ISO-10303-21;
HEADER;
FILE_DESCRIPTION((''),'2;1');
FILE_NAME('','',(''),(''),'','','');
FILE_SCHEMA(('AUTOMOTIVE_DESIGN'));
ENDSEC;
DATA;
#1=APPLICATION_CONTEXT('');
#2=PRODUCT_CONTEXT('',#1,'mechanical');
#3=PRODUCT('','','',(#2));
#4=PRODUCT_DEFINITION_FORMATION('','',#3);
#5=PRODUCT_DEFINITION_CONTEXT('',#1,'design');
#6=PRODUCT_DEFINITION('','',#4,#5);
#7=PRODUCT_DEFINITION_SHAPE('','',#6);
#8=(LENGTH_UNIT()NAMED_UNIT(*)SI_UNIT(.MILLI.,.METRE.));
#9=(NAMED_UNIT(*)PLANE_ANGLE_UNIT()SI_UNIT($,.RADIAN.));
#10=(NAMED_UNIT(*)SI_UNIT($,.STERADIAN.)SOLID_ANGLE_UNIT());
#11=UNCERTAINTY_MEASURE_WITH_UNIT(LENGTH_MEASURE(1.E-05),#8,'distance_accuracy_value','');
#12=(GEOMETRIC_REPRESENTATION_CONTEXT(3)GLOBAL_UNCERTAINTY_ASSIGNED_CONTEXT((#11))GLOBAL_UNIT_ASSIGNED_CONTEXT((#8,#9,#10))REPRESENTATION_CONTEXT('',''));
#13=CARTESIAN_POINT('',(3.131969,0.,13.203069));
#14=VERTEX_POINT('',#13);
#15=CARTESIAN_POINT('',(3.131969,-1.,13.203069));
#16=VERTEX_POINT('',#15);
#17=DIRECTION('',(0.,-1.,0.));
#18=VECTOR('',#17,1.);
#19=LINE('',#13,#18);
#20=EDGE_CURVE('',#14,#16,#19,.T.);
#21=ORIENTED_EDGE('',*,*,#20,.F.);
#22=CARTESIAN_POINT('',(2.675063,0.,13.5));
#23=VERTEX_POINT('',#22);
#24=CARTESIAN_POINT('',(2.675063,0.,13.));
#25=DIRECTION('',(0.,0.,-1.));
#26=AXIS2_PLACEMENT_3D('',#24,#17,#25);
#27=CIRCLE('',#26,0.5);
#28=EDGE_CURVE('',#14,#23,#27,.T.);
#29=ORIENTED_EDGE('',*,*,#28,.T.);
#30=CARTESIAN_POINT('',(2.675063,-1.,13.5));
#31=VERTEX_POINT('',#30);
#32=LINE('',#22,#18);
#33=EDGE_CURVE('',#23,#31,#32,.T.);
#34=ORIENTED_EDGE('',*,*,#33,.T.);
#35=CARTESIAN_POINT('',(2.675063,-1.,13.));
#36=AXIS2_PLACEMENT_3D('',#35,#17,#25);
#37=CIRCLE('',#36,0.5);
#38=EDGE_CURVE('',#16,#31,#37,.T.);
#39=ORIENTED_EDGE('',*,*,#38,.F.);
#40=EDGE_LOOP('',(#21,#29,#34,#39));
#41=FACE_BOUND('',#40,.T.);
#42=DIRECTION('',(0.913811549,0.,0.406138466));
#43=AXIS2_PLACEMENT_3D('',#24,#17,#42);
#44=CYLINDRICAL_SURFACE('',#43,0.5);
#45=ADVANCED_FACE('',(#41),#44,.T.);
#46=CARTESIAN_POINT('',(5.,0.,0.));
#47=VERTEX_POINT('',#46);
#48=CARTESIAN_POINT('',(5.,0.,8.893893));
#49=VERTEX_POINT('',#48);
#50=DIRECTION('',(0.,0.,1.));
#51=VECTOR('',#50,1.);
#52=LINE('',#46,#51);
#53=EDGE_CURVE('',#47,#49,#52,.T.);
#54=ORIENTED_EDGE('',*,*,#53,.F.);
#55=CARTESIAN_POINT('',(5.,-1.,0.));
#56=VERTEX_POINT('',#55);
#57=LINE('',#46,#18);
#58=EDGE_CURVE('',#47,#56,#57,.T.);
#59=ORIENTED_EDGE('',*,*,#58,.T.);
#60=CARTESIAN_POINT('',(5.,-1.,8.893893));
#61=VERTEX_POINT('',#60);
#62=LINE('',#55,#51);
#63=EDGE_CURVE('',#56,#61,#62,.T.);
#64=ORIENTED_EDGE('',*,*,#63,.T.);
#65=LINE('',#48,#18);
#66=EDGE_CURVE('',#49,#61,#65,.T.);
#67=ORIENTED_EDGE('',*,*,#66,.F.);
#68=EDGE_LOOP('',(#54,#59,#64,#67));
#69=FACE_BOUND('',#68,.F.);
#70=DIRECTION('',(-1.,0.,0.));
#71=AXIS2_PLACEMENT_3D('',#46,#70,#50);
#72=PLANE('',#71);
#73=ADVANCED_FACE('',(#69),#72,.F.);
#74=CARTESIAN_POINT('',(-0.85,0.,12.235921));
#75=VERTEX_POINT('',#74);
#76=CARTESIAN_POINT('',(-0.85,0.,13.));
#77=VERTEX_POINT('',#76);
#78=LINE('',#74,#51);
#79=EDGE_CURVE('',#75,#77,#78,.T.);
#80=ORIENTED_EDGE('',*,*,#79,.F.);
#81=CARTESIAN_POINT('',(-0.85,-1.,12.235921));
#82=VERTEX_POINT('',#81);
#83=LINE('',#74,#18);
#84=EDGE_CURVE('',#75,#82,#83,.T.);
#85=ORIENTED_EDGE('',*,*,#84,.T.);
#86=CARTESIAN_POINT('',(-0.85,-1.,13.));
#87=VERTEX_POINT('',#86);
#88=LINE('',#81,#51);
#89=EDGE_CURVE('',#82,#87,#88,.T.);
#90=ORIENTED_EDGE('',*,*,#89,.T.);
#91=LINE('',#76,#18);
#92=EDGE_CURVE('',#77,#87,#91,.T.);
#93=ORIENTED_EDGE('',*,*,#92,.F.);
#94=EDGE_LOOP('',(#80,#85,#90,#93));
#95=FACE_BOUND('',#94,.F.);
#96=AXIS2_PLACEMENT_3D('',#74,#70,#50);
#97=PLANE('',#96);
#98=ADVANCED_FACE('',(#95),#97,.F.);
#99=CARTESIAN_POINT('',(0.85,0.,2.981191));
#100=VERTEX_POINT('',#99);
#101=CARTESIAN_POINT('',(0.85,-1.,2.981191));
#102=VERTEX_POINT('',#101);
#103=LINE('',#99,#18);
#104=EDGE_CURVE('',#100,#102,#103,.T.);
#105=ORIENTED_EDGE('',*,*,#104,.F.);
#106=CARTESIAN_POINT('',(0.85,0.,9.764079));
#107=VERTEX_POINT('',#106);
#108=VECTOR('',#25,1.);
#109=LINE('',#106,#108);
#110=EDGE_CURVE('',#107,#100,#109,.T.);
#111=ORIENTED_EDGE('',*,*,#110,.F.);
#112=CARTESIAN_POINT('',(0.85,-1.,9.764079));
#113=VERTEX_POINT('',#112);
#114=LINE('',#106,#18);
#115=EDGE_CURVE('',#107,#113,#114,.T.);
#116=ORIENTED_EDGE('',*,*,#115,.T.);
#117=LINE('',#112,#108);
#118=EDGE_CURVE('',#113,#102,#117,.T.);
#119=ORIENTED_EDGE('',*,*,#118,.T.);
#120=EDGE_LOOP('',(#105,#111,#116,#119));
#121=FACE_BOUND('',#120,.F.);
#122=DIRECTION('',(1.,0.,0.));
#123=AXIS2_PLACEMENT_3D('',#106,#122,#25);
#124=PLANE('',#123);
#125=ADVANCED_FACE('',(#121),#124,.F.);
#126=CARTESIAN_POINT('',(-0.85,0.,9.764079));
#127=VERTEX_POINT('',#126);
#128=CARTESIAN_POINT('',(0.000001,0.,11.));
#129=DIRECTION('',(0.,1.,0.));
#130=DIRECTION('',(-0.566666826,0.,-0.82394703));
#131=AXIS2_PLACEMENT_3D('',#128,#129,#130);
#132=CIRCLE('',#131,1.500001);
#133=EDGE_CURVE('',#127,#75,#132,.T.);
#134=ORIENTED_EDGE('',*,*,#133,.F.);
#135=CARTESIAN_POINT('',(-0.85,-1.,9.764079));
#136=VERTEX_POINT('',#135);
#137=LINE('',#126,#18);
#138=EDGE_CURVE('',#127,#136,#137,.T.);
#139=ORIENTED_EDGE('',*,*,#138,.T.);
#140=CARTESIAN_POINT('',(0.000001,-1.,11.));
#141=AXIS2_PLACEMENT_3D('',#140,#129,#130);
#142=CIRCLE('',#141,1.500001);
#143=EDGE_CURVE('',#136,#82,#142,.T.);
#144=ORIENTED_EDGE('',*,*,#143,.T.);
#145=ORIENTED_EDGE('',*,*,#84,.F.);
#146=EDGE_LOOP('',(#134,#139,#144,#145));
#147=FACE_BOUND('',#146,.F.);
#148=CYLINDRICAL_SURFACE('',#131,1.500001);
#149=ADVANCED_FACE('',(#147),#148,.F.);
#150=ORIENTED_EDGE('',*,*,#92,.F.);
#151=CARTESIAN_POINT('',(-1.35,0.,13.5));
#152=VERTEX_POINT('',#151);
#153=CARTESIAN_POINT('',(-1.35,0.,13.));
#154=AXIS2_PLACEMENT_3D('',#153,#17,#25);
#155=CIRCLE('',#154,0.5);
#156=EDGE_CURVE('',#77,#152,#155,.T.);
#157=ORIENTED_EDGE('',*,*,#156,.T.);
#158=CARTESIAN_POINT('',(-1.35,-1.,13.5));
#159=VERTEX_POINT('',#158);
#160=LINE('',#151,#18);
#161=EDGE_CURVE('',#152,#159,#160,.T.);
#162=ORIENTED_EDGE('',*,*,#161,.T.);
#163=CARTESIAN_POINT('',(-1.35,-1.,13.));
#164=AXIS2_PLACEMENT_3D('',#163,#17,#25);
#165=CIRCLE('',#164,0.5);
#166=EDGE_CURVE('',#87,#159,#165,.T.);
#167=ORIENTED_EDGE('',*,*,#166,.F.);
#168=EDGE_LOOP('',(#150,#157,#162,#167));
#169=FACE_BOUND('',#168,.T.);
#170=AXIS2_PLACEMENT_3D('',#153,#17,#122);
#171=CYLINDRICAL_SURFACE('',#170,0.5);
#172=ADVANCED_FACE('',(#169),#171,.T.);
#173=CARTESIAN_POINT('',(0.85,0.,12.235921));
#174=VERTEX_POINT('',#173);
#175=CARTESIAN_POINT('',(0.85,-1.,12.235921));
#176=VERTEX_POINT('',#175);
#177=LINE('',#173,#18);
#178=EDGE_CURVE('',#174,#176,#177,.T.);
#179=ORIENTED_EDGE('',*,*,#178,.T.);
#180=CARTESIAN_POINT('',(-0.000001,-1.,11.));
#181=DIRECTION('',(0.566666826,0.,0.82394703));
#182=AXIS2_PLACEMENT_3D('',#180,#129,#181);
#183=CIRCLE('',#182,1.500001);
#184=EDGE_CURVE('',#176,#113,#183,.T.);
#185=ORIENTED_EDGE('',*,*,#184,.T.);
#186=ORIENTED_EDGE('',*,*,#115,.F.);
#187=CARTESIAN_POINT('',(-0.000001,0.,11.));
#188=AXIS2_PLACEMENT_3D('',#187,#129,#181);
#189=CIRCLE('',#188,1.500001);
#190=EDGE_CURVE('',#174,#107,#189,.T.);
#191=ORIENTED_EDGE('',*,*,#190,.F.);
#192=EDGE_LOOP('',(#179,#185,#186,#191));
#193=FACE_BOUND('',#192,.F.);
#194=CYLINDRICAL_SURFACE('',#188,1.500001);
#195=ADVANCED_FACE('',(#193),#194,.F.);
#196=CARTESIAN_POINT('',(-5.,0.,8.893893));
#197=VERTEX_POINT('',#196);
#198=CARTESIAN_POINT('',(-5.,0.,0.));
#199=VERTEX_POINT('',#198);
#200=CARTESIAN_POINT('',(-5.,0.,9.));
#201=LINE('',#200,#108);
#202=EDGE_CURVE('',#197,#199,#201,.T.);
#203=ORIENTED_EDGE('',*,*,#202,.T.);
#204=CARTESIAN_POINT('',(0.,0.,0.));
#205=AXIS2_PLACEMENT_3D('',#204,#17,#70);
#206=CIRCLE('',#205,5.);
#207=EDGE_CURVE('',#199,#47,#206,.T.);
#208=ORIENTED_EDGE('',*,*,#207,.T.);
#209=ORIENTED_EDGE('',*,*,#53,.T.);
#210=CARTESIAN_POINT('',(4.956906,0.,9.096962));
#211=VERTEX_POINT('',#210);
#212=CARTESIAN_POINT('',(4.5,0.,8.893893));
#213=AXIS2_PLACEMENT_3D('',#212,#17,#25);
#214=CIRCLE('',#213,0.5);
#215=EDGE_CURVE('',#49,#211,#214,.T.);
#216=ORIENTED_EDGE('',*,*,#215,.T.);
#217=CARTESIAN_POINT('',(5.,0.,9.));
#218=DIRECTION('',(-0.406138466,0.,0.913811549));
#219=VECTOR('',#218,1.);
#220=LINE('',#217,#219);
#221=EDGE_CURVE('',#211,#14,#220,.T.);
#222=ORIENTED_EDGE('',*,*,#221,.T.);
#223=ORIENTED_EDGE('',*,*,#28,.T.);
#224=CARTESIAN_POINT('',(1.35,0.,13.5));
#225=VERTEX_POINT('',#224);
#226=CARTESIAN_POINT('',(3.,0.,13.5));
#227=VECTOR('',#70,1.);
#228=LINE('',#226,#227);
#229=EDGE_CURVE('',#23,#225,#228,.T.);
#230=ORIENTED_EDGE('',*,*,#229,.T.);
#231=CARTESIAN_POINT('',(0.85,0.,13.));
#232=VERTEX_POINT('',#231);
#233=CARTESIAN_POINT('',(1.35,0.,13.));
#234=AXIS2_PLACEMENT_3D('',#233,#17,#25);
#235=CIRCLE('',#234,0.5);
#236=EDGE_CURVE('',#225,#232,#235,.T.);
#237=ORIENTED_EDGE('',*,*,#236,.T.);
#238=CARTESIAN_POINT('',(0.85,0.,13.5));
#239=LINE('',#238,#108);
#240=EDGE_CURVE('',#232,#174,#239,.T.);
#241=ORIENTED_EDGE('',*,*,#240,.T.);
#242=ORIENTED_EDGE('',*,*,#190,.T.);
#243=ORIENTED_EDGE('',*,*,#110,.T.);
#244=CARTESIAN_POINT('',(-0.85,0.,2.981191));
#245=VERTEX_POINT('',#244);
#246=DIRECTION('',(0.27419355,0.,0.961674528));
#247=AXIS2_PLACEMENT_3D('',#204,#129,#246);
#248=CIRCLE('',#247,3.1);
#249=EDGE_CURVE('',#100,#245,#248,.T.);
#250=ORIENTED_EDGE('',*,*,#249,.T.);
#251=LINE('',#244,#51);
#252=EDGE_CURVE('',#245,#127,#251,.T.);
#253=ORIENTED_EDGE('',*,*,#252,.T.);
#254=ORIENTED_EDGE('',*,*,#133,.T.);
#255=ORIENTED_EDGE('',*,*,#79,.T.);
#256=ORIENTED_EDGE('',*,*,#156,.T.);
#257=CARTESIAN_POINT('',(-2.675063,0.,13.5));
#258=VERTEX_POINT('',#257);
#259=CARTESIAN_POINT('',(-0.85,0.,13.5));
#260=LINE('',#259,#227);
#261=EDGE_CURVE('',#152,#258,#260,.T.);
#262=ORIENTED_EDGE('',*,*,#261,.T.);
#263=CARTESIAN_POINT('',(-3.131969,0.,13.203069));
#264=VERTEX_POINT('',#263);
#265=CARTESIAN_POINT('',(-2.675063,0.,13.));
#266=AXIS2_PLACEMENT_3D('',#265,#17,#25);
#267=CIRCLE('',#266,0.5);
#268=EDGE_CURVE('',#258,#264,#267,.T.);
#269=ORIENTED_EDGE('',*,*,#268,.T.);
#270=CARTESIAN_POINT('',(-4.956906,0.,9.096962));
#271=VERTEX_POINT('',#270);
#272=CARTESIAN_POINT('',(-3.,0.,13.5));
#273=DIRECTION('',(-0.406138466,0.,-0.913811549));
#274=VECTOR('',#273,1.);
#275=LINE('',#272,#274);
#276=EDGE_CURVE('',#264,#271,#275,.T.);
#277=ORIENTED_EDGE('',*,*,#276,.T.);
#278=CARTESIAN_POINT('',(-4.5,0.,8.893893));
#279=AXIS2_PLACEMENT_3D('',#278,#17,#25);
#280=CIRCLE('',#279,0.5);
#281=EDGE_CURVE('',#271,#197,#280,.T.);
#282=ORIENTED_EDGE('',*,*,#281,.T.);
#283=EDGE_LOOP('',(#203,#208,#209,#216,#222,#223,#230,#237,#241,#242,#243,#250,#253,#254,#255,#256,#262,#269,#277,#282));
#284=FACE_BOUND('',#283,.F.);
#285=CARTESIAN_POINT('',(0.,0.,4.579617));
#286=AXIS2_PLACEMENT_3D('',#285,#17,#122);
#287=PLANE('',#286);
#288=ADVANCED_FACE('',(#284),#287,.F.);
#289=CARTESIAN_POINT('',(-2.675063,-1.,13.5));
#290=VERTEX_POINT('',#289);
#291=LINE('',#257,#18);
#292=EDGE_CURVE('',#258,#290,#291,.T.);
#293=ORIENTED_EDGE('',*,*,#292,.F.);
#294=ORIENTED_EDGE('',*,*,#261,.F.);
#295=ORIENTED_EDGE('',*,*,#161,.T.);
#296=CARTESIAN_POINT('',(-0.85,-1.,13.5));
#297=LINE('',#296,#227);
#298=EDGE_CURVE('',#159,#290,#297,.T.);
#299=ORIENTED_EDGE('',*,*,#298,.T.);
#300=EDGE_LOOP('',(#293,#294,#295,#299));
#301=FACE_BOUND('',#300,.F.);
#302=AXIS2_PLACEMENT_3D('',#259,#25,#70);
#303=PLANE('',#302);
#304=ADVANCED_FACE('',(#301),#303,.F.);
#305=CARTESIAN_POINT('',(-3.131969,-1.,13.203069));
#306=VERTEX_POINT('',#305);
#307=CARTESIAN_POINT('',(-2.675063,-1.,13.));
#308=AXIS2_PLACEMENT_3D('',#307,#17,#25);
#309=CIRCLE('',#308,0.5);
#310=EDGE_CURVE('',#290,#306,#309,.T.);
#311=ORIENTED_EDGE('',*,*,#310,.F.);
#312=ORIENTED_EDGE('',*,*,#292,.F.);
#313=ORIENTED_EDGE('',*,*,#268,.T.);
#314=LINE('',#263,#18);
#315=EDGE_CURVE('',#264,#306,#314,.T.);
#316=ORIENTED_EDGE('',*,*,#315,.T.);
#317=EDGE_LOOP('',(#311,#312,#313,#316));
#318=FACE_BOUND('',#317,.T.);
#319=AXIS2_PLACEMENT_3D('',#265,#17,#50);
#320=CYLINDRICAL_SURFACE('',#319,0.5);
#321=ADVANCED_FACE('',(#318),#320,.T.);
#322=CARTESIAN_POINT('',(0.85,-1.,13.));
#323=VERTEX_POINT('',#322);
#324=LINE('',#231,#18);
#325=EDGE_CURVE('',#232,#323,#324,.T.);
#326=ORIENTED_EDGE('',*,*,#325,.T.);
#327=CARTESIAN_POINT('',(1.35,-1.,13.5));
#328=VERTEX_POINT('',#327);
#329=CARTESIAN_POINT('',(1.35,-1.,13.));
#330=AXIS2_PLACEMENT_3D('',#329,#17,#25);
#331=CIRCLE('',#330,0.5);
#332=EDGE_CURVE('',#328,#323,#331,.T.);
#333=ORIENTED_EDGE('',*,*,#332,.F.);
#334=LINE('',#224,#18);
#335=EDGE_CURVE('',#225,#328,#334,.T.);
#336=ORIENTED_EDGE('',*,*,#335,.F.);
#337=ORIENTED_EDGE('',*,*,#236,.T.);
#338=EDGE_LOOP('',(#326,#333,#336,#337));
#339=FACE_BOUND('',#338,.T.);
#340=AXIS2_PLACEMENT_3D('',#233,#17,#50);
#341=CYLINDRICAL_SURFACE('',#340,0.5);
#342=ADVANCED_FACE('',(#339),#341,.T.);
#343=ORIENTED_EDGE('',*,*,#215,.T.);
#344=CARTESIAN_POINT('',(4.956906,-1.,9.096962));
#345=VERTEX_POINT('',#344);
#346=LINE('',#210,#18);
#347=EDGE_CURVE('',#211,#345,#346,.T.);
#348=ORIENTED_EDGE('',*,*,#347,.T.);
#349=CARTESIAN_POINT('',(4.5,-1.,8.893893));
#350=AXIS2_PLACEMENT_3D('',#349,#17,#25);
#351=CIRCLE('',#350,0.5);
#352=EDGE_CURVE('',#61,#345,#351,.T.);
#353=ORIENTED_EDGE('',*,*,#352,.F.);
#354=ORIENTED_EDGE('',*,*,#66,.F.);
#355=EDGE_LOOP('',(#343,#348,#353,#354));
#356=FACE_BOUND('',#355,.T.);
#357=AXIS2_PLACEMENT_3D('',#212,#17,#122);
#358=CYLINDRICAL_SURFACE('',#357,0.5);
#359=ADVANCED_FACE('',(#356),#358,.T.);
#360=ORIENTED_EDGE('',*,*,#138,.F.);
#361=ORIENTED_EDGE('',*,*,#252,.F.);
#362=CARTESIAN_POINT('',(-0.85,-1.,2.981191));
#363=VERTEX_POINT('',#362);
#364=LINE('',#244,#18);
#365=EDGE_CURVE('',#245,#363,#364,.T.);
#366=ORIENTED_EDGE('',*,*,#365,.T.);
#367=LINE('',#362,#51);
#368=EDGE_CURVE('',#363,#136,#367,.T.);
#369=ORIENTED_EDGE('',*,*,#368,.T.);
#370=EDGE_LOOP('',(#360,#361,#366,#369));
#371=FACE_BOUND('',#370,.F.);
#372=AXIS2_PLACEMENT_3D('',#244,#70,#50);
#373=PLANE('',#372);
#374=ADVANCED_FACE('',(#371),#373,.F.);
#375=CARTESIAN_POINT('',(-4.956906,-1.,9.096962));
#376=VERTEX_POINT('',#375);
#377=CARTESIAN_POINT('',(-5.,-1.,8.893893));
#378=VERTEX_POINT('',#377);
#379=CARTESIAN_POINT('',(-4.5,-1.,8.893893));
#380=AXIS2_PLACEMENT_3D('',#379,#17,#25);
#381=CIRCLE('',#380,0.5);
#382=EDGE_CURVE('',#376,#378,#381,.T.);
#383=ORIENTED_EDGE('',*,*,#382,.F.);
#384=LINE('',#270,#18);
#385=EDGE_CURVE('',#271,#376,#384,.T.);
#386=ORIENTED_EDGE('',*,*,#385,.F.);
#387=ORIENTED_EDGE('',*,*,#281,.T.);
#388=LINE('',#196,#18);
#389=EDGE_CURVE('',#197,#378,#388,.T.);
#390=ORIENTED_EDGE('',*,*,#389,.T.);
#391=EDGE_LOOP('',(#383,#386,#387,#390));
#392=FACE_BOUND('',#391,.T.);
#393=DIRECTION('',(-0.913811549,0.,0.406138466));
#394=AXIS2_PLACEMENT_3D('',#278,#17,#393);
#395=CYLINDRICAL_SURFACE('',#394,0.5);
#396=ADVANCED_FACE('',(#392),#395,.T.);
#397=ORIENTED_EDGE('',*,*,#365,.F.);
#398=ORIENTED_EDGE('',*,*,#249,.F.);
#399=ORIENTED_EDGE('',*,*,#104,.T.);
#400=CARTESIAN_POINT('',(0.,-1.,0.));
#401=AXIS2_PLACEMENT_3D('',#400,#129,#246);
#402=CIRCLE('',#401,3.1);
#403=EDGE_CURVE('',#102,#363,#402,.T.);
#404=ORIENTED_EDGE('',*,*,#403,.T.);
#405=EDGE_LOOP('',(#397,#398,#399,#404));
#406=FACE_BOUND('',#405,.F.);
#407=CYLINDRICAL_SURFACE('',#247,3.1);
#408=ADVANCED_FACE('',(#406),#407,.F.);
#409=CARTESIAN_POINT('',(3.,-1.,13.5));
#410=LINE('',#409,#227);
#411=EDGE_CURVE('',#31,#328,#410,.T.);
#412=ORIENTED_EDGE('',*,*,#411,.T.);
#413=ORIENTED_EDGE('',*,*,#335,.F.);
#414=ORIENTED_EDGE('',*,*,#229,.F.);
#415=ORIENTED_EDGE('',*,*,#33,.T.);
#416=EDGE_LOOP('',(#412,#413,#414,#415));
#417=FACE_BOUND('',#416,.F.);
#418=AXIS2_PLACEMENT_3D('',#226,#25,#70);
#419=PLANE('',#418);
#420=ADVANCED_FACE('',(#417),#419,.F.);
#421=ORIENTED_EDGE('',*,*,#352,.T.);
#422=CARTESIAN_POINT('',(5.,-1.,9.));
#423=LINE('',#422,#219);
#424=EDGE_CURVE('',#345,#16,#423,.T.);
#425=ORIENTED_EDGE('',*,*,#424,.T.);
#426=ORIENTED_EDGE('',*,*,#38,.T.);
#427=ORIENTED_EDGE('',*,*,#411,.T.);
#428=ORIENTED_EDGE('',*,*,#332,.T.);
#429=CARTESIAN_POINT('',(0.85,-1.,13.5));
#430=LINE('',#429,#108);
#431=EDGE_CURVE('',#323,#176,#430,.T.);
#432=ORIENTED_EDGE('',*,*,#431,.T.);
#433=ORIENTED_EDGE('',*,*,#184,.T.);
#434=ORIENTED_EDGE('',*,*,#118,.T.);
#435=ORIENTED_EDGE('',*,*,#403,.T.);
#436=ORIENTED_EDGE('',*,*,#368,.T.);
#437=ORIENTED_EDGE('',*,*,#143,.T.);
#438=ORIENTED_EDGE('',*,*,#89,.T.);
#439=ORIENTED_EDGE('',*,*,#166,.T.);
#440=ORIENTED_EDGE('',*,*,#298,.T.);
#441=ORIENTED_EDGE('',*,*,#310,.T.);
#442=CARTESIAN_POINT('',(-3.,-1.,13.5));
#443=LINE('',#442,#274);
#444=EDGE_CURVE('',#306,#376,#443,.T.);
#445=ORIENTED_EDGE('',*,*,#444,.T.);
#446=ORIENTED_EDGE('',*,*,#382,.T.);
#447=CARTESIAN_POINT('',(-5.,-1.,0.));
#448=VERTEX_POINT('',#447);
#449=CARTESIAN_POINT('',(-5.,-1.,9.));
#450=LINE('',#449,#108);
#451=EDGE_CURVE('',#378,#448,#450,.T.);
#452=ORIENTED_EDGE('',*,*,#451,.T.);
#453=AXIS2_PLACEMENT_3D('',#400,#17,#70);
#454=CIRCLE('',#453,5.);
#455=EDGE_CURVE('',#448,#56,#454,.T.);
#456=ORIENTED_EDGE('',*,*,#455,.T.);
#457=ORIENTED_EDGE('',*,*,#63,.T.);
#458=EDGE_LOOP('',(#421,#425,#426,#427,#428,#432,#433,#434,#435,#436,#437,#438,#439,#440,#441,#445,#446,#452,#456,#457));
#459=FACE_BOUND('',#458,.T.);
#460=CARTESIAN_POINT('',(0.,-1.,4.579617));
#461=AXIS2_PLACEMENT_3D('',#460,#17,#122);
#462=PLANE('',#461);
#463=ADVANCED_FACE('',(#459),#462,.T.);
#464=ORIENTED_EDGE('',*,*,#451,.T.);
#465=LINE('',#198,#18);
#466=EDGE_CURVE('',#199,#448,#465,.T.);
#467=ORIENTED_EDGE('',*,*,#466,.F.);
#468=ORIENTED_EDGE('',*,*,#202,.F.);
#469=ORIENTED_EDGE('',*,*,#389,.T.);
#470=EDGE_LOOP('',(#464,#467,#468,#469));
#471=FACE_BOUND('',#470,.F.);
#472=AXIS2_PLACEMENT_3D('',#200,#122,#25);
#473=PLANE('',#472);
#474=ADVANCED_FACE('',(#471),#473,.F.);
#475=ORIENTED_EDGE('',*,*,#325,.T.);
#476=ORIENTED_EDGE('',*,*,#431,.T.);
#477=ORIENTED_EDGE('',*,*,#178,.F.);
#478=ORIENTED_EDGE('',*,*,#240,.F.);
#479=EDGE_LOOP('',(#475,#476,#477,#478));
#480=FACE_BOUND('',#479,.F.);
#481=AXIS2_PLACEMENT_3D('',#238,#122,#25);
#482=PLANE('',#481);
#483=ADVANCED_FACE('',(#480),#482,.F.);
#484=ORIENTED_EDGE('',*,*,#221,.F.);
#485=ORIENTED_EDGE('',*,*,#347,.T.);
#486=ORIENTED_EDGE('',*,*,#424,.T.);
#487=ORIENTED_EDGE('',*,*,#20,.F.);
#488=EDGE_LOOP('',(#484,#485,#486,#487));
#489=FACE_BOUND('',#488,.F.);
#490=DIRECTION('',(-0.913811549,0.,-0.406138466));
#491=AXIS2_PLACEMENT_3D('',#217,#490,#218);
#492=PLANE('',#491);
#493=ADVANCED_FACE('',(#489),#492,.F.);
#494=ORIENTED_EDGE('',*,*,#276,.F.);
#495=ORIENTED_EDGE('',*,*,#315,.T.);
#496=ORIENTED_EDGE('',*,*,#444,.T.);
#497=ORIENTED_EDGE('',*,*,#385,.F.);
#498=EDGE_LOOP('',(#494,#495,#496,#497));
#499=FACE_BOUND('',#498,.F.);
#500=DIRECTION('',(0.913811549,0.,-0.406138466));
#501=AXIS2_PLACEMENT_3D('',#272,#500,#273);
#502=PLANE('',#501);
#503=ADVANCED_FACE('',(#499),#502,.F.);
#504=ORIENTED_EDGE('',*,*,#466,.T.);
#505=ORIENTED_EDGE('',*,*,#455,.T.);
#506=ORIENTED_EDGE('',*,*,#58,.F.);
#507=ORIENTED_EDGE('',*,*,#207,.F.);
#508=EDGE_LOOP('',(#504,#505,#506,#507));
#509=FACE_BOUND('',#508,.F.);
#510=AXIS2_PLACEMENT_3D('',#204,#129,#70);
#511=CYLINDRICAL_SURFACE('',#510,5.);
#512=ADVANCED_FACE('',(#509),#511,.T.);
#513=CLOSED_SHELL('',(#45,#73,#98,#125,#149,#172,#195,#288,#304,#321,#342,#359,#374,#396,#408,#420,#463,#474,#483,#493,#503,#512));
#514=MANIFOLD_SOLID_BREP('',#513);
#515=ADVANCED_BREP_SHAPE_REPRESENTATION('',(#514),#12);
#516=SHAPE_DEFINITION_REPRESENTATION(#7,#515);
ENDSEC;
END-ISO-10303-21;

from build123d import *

# Parameters (mm, degrees)
F1_DEPTH = 1
F2_R     = 0.5


with BuildPart() as f1:
    # F0 (on Front) → F1 (new body)
    with BuildSketch(Plane.XZ):
        with BuildLine():
            ThreePointArc((0.85, 2.981191), (0, -3.1), (-0.85, 2.981191))
            Line((-0.85, 2.981191), (-0.85, 9.764079))
            ThreePointArc((-0.85, 9.764079), (-1.5, 11), (-0.85, 12.235921))
            Line((-0.85, 12.235921), (-0.85, 13.5))
            Line((-0.85, 13.5), (-3, 13.5))
            Line((-3, 13.5), (-5, 9))
            Line((-5, 9), (-5, 0))
            ThreePointArc((-5, 0), (0, -5), (5, 0))
            Line((5, 0), (5, 9))
            Line((5, 9), (3, 13.5))
            Line((3, 13.5), (0.85, 13.5))
            Line((0.85, 13.5), (0.85, 12.235921))
            ThreePointArc((0.85, 12.235921), (1.5, 11), (0.85, 9.764079))
            Line((0.85, 9.764079), (0.85, 2.981191))
        make_face()
    extrude(amount=F1_DEPTH)

    # F2
    f2_edges = [f1.edges().sort_by_distance(p)[0] for p in [
        (3, -0.5, 13.5),
        (0.85, -0.5, 13.5),
        (-0.85, -0.5, 13.5),
        (-3, -0.5, 13.5),
        (-5, -0.5, 9),
        (5, -0.5, 9),
    ]]
    fillet(f2_edges, radius=F2_R)


solid = f1.part
